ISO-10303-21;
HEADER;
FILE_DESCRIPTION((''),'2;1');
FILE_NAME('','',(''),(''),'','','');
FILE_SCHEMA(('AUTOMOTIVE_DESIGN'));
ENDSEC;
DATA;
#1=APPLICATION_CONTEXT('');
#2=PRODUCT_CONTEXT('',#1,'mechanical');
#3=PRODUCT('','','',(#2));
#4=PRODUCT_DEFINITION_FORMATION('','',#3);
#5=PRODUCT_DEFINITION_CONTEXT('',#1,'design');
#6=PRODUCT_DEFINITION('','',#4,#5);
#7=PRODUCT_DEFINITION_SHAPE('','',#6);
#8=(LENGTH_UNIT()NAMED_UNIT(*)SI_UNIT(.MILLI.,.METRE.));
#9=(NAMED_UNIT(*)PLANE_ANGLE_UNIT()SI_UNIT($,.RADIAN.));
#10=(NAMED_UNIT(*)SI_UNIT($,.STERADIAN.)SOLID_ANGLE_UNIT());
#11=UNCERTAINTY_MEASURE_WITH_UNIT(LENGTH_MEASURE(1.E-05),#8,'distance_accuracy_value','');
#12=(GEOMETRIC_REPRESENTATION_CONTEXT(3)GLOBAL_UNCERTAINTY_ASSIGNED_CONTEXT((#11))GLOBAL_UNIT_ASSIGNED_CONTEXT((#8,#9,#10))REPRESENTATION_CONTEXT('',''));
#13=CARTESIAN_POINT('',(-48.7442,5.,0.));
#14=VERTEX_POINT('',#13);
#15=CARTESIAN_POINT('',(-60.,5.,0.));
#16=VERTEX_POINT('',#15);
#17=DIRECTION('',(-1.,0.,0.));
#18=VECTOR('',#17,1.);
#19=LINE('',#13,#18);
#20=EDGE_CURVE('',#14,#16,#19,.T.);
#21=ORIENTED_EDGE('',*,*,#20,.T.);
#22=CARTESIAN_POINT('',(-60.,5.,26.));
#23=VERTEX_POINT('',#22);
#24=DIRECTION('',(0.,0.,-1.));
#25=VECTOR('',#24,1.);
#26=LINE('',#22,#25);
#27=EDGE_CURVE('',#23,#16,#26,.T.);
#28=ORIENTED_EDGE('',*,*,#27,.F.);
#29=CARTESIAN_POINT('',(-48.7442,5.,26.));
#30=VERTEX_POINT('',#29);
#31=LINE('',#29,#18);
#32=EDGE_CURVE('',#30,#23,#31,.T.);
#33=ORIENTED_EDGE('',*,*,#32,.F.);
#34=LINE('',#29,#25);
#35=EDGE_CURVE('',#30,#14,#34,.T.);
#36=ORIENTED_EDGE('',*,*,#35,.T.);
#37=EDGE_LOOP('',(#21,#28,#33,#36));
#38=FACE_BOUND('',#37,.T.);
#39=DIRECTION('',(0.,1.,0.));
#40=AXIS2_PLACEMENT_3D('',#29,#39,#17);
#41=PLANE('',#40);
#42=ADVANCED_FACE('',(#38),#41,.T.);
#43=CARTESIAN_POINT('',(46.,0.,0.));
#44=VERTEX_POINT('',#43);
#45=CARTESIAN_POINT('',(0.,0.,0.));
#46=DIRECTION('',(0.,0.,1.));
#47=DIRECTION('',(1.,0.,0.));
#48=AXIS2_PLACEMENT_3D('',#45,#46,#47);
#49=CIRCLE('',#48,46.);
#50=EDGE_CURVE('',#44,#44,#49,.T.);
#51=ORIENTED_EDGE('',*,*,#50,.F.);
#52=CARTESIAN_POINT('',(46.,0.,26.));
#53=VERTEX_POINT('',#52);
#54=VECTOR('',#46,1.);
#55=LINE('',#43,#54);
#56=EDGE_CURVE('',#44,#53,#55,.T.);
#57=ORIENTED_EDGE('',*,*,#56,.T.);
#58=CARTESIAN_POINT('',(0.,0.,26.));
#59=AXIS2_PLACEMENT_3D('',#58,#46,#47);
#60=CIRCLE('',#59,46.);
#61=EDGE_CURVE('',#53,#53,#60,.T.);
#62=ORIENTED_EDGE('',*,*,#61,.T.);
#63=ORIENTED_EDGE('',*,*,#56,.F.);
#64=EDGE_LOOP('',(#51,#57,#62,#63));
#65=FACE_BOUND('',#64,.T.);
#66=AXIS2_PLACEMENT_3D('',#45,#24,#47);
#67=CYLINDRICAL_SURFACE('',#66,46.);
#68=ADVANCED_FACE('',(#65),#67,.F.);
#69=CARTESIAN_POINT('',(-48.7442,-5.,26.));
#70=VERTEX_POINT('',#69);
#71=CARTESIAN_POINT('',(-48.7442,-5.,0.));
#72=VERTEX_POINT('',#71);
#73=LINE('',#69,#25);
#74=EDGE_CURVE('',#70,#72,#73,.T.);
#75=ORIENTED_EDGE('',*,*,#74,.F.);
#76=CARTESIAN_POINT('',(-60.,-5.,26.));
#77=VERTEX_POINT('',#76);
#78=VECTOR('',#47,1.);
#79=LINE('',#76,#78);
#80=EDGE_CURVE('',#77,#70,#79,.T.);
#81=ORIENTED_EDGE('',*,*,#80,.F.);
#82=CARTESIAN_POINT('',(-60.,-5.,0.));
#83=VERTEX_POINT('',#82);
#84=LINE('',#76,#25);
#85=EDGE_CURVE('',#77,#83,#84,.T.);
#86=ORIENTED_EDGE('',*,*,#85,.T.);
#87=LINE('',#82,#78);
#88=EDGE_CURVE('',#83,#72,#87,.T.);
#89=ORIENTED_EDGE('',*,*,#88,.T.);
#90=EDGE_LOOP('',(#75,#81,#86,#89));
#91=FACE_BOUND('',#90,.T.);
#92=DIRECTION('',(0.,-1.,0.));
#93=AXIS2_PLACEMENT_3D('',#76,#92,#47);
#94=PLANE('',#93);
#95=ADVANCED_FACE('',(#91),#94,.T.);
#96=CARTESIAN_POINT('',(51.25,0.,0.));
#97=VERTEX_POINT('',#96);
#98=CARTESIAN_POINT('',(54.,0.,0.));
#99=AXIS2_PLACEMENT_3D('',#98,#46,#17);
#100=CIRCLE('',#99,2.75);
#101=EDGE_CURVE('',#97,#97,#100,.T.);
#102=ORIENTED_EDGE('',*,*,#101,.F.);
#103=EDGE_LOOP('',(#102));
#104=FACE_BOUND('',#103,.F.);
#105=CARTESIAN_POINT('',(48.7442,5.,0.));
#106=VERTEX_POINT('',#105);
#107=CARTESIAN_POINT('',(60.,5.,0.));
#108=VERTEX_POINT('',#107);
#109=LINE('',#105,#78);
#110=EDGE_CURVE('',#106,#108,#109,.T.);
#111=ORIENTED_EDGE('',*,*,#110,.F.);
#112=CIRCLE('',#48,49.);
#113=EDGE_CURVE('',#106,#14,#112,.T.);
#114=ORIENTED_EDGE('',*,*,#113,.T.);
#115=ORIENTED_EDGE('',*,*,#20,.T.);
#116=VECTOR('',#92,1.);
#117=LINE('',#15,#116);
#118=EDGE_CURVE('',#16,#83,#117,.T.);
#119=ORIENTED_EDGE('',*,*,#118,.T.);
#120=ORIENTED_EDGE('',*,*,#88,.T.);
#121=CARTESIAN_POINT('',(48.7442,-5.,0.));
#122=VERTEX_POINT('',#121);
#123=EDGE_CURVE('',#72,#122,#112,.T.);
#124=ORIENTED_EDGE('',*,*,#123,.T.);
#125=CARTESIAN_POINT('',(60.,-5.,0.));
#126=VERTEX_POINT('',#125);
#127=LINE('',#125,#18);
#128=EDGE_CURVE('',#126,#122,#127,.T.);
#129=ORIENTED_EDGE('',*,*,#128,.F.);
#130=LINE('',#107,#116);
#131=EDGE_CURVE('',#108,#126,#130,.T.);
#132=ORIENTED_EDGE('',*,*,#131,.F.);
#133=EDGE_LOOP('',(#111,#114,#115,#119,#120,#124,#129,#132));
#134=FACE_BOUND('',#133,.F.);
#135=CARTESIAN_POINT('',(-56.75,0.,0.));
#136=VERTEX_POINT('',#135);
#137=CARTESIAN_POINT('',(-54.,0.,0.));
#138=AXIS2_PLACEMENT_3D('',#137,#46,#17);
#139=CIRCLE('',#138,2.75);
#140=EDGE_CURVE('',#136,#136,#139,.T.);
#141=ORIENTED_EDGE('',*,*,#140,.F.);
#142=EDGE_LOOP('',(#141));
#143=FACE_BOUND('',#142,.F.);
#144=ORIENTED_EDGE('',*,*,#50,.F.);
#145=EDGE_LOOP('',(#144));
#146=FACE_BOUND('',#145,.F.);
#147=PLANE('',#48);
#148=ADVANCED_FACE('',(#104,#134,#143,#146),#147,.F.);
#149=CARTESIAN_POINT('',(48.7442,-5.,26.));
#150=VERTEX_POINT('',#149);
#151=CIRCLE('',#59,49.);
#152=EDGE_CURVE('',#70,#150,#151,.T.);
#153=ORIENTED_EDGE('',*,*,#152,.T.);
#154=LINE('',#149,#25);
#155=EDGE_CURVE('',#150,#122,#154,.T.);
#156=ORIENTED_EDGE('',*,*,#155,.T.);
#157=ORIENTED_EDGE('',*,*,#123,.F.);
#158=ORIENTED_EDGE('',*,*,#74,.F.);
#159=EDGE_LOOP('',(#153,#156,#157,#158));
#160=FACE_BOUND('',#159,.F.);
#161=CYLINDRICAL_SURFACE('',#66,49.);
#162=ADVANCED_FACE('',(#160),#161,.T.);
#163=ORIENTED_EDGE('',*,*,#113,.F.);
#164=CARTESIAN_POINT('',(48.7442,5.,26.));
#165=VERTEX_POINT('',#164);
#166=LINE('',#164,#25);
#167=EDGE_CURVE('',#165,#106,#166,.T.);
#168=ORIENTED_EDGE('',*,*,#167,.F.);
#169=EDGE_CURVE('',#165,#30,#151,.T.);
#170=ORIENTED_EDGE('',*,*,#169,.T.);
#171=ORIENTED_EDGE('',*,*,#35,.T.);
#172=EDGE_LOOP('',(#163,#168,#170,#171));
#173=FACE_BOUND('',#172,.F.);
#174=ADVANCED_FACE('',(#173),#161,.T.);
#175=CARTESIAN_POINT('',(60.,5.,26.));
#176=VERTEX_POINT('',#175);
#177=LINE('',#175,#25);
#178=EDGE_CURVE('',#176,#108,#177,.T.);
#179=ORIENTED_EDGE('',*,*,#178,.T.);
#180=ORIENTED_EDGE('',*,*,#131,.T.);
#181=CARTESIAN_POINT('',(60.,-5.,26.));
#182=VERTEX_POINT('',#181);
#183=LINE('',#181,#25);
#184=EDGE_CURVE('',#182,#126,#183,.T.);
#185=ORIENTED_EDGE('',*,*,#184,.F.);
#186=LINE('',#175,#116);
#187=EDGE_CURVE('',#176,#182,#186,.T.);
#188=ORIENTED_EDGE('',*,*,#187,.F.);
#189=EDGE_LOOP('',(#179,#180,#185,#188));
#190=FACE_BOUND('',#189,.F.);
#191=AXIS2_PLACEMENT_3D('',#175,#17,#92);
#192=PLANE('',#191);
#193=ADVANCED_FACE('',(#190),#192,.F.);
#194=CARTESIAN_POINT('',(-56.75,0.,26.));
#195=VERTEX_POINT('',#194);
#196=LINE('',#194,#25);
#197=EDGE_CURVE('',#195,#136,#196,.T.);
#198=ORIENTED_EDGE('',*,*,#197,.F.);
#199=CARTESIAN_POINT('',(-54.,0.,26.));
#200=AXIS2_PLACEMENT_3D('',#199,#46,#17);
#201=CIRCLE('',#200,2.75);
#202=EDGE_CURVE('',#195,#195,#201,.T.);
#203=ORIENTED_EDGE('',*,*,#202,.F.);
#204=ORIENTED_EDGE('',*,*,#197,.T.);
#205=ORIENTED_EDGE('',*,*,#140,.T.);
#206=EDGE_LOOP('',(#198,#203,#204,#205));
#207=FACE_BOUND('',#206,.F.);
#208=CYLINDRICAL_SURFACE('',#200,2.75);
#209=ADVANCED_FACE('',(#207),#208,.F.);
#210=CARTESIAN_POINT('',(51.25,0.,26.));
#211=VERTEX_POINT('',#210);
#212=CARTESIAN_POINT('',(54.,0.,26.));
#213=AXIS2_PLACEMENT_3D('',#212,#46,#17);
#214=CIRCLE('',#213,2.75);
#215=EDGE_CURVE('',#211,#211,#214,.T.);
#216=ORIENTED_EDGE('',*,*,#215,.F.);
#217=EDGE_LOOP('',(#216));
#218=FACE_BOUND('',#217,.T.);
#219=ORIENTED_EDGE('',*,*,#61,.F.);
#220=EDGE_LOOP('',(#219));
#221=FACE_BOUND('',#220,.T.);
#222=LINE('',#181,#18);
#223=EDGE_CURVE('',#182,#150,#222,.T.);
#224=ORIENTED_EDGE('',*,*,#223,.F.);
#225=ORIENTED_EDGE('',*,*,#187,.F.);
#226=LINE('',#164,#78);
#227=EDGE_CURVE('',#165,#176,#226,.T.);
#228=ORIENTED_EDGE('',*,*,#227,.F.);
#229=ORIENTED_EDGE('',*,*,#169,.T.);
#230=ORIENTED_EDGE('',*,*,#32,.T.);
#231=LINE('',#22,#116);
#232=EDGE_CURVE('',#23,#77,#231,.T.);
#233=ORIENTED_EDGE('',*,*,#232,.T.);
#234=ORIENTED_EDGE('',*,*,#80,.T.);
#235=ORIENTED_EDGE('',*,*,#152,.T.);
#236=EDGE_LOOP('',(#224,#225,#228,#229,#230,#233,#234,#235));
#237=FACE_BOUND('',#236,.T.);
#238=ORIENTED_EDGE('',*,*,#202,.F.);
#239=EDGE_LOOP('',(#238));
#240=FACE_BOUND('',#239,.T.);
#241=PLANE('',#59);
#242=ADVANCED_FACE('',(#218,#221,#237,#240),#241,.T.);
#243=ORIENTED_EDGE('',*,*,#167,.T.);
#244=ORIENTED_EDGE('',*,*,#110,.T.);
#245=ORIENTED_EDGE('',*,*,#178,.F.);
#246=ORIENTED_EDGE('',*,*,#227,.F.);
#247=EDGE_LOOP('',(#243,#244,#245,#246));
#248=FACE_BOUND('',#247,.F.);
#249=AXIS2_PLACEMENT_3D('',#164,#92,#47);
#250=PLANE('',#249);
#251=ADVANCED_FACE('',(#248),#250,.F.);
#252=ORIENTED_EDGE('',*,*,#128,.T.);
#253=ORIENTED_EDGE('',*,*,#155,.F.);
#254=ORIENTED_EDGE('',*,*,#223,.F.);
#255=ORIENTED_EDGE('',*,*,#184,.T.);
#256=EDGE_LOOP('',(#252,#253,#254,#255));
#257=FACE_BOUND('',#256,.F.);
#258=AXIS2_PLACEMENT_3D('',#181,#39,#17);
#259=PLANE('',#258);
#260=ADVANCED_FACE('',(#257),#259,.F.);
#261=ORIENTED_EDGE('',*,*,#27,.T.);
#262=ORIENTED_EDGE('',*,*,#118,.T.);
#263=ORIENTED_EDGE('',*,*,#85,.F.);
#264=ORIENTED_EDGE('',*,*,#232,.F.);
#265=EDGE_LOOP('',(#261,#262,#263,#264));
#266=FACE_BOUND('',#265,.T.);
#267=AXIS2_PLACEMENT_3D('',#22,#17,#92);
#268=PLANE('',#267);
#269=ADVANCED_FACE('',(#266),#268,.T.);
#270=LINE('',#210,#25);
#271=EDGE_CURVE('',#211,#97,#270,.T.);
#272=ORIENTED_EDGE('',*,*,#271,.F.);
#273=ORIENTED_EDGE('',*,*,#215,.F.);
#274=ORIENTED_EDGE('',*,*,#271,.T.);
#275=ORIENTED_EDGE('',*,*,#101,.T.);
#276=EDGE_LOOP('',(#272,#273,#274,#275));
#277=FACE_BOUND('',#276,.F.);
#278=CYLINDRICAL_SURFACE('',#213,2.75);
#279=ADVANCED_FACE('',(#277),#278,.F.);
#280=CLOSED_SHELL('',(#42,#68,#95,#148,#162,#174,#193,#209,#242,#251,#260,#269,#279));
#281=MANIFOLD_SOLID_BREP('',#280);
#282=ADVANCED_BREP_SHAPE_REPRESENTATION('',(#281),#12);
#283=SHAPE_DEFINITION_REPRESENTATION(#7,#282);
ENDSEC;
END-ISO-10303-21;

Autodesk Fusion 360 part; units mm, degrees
sketch "Sketch1" plane through (0, 0, 0) normal (0, 0, 1) x (1, 0, 0)
  circle A0 centre (0, 0) radius 42 construction
  line L0 (0, 0) -> (0, 42) construction
  circle A1 centre (0, 42) radius 2.25
  circle A2 centre (-17.0829, 38.3689) radius 2.25
  circle A3 centre (-31.2121, 28.1035) radius 2.25
  circle A4 centre (-39.9444, 12.9787) radius 2.25
  circle A5 centre (-41.7699, -4.3902) radius 2.25
  circle A6 centre (-36.3731, -21) radius 2.25
  circle A7 centre (-24.687, -33.9787) radius 2.25
  circle A8 centre (-8.7323, -41.0822) radius 2.25
  circle A9 centre (8.7323, -41.0822) radius 2.25
  circle A10 centre (24.687, -33.9787) radius 2.25
  circle A11 centre (36.3731, -21) radius 2.25
  circle A12 centre (41.7699, -4.3902) radius 2.25
  circle A13 centre (39.9444, 12.9787) radius 2.25
  circle A14 centre (31.2121, 28.1035) radius 2.25
  circle A15 centre (17.0829, 38.3689) radius 2.25
  circle A16 centre (0, 42) radius 3 construction
  circle A17 centre (-17.0829, 38.3689) radius 3 construction
  circle A18 centre (-31.2121, 28.1035) radius 3 construction
  circle A19 centre (-39.9444, 12.9787) radius 3 construction
  circle A20 centre (-41.7699, -4.3902) radius 3 construction
  circle A21 centre (-36.3731, -21) radius 3 construction
  circle A22 centre (-24.687, -33.9787) radius 3 construction
  circle A23 centre (-8.7323, -41.0822) radius 3 construction
  circle A24 centre (8.7323, -41.0822) radius 3 construction
  circle A25 centre (24.687, -33.9787) radius 3 construction
  circle A26 centre (36.3731, -21) radius 3 construction
  circle A27 centre (41.7699, -4.3902) radius 3 construction
  circle A28 centre (39.9444, 12.9787) radius 3 construction
  circle A29 centre (31.2121, 28.1035) radius 3 construction
  circle A30 centre (17.0829, 38.3689) radius 3 construction
  circle A31 centre (0, 0) radius 46
  circle A32 centre (0, 0) radius 49
  dimension "d1" = 84
  dimension "d2" = 4.5
  dimension "d4" = 360
  dimension "d5" = 6
  dimension "d7" = 360
  dimension "d8" = 92
  dimension "d9" = 3
extrude "Extrude1" add sketch "Sketch1" along normal blind 26 contours A32
sketch "Sketch2" plane through (0, 0, 26) normal (0, 0, 1) x (-1, 0, 0)
  circle A0 centre (0, 0) radius 46
  circle A1 centre (0, 0) radius 49
  line L0 (0, 0) -> (-69, 0) construction
  line L1 (0, 0) -> (0, -46) construction
  line L2 (-48.7442, -5) -> (-60, -5)
  line L3 (-60, -5) -> (-60, 5)
  line L4 (-60, 5) -> (-48.7442, 5)
  circle A2 centre (-54, 0) radius 2.75
  line L5 (48.7442, -5) -> (60, -5)
  line L6 (60, -5) -> (60, 5)
  line L7 (60, 5) -> (48.7442, 5)
  circle A3 centre (54, 0) radius 2.75
  dimension "d12" = 5.5
  dimension "d13" = 54
  dimension "d14" = 6
  dimension "d15" = 10
extrude "Extrude2" add sketch "Sketch2" against normal blind 26 contours A1 L5 L6 L7 | A1 L2 L3 L4
